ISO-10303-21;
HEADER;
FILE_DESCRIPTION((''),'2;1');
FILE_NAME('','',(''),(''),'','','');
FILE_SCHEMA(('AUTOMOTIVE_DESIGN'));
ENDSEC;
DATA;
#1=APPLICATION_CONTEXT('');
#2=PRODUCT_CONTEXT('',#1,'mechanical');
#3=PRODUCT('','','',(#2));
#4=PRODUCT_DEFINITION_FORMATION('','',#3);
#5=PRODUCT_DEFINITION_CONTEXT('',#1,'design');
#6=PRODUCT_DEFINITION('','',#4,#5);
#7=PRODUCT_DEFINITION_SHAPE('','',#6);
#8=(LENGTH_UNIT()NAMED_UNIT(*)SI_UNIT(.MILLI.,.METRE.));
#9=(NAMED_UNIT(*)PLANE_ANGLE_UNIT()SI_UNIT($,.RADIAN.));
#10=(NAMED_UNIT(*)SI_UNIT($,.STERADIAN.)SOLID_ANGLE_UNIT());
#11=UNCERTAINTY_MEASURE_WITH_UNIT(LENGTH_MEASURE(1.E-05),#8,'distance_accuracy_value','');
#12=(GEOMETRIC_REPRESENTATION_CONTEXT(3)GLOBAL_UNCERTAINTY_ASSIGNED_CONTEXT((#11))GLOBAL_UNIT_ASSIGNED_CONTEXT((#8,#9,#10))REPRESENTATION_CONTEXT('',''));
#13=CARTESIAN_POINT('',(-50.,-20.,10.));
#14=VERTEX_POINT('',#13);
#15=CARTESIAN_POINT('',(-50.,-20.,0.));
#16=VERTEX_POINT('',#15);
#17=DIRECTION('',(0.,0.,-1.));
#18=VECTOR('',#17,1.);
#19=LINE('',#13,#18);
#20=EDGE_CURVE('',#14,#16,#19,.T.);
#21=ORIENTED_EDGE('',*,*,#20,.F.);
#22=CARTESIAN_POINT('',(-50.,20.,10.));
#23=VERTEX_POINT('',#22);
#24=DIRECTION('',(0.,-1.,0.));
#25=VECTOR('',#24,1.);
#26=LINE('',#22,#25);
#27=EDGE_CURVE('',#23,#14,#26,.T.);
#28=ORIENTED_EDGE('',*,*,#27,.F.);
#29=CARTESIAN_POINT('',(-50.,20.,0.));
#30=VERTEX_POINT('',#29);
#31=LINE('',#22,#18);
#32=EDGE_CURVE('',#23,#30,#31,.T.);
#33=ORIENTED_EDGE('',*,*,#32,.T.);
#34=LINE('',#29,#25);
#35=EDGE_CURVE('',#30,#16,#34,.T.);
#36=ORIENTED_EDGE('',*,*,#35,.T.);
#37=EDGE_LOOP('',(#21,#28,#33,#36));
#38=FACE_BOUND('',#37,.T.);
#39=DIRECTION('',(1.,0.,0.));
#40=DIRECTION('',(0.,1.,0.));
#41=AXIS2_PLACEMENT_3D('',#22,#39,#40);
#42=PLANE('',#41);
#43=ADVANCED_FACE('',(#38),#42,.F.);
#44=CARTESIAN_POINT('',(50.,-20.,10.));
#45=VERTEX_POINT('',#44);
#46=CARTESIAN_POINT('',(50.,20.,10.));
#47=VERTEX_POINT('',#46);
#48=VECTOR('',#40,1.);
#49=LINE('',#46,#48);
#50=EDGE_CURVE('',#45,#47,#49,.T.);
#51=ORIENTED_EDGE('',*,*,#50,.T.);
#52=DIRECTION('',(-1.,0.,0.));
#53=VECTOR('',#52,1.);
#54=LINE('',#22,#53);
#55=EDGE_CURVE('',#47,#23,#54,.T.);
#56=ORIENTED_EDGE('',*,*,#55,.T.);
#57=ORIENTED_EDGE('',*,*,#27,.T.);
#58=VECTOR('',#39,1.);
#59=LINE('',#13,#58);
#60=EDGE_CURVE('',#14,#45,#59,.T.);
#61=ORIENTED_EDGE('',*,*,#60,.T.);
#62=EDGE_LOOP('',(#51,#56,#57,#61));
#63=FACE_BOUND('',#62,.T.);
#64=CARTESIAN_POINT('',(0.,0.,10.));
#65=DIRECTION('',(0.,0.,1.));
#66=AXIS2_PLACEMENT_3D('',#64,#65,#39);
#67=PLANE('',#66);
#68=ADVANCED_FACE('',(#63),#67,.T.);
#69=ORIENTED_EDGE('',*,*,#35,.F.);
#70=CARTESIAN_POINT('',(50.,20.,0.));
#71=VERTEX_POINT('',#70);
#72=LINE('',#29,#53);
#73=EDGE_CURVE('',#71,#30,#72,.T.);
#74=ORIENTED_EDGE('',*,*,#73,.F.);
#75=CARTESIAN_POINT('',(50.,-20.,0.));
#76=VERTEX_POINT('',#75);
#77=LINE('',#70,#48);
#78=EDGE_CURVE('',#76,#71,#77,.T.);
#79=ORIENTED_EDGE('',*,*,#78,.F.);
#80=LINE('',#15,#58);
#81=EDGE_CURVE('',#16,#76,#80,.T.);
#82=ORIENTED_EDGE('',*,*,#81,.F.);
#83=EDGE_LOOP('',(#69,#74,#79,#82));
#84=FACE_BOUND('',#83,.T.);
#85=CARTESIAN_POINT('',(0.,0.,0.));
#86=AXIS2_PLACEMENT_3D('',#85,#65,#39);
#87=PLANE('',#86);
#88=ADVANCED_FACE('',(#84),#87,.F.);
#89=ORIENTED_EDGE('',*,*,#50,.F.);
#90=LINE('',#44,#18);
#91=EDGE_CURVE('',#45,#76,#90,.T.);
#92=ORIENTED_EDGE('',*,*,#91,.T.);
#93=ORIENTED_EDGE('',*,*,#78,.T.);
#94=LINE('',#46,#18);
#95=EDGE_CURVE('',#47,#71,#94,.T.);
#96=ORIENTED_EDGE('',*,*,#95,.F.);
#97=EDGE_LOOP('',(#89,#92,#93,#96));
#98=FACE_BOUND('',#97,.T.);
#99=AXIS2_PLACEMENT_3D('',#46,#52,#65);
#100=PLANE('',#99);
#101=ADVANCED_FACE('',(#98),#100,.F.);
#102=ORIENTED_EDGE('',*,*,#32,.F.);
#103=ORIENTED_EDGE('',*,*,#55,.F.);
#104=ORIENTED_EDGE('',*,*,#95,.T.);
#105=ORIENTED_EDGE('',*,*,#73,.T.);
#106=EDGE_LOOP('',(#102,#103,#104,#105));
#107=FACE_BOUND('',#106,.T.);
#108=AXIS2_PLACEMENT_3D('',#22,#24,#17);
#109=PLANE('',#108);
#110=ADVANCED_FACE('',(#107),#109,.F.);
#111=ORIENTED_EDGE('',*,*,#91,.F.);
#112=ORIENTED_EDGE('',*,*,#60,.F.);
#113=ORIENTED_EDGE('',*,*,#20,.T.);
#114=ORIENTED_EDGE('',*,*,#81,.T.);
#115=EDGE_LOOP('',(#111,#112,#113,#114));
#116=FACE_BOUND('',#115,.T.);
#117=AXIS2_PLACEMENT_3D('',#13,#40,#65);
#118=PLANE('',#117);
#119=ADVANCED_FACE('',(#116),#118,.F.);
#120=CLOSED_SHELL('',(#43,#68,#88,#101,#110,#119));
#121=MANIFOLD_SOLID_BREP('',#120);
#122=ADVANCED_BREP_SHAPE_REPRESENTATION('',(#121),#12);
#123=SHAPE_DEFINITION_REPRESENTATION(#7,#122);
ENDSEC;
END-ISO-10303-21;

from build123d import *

# Parameters (mm, degrees)
SKETCH1_W           = 100
SKETCH1_H           = 40
BOSS_EXTRUDE1_DEPTH = 10


with BuildPart() as part:
    # Sketch1 → Boss-Extrude1 (new body)
    with BuildSketch(Plane.XY):
        Rectangle(SKETCH1_W, SKETCH1_H)
    extrude(amount=BOSS_EXTRUDE1_DEPTH)


solid = part.part
